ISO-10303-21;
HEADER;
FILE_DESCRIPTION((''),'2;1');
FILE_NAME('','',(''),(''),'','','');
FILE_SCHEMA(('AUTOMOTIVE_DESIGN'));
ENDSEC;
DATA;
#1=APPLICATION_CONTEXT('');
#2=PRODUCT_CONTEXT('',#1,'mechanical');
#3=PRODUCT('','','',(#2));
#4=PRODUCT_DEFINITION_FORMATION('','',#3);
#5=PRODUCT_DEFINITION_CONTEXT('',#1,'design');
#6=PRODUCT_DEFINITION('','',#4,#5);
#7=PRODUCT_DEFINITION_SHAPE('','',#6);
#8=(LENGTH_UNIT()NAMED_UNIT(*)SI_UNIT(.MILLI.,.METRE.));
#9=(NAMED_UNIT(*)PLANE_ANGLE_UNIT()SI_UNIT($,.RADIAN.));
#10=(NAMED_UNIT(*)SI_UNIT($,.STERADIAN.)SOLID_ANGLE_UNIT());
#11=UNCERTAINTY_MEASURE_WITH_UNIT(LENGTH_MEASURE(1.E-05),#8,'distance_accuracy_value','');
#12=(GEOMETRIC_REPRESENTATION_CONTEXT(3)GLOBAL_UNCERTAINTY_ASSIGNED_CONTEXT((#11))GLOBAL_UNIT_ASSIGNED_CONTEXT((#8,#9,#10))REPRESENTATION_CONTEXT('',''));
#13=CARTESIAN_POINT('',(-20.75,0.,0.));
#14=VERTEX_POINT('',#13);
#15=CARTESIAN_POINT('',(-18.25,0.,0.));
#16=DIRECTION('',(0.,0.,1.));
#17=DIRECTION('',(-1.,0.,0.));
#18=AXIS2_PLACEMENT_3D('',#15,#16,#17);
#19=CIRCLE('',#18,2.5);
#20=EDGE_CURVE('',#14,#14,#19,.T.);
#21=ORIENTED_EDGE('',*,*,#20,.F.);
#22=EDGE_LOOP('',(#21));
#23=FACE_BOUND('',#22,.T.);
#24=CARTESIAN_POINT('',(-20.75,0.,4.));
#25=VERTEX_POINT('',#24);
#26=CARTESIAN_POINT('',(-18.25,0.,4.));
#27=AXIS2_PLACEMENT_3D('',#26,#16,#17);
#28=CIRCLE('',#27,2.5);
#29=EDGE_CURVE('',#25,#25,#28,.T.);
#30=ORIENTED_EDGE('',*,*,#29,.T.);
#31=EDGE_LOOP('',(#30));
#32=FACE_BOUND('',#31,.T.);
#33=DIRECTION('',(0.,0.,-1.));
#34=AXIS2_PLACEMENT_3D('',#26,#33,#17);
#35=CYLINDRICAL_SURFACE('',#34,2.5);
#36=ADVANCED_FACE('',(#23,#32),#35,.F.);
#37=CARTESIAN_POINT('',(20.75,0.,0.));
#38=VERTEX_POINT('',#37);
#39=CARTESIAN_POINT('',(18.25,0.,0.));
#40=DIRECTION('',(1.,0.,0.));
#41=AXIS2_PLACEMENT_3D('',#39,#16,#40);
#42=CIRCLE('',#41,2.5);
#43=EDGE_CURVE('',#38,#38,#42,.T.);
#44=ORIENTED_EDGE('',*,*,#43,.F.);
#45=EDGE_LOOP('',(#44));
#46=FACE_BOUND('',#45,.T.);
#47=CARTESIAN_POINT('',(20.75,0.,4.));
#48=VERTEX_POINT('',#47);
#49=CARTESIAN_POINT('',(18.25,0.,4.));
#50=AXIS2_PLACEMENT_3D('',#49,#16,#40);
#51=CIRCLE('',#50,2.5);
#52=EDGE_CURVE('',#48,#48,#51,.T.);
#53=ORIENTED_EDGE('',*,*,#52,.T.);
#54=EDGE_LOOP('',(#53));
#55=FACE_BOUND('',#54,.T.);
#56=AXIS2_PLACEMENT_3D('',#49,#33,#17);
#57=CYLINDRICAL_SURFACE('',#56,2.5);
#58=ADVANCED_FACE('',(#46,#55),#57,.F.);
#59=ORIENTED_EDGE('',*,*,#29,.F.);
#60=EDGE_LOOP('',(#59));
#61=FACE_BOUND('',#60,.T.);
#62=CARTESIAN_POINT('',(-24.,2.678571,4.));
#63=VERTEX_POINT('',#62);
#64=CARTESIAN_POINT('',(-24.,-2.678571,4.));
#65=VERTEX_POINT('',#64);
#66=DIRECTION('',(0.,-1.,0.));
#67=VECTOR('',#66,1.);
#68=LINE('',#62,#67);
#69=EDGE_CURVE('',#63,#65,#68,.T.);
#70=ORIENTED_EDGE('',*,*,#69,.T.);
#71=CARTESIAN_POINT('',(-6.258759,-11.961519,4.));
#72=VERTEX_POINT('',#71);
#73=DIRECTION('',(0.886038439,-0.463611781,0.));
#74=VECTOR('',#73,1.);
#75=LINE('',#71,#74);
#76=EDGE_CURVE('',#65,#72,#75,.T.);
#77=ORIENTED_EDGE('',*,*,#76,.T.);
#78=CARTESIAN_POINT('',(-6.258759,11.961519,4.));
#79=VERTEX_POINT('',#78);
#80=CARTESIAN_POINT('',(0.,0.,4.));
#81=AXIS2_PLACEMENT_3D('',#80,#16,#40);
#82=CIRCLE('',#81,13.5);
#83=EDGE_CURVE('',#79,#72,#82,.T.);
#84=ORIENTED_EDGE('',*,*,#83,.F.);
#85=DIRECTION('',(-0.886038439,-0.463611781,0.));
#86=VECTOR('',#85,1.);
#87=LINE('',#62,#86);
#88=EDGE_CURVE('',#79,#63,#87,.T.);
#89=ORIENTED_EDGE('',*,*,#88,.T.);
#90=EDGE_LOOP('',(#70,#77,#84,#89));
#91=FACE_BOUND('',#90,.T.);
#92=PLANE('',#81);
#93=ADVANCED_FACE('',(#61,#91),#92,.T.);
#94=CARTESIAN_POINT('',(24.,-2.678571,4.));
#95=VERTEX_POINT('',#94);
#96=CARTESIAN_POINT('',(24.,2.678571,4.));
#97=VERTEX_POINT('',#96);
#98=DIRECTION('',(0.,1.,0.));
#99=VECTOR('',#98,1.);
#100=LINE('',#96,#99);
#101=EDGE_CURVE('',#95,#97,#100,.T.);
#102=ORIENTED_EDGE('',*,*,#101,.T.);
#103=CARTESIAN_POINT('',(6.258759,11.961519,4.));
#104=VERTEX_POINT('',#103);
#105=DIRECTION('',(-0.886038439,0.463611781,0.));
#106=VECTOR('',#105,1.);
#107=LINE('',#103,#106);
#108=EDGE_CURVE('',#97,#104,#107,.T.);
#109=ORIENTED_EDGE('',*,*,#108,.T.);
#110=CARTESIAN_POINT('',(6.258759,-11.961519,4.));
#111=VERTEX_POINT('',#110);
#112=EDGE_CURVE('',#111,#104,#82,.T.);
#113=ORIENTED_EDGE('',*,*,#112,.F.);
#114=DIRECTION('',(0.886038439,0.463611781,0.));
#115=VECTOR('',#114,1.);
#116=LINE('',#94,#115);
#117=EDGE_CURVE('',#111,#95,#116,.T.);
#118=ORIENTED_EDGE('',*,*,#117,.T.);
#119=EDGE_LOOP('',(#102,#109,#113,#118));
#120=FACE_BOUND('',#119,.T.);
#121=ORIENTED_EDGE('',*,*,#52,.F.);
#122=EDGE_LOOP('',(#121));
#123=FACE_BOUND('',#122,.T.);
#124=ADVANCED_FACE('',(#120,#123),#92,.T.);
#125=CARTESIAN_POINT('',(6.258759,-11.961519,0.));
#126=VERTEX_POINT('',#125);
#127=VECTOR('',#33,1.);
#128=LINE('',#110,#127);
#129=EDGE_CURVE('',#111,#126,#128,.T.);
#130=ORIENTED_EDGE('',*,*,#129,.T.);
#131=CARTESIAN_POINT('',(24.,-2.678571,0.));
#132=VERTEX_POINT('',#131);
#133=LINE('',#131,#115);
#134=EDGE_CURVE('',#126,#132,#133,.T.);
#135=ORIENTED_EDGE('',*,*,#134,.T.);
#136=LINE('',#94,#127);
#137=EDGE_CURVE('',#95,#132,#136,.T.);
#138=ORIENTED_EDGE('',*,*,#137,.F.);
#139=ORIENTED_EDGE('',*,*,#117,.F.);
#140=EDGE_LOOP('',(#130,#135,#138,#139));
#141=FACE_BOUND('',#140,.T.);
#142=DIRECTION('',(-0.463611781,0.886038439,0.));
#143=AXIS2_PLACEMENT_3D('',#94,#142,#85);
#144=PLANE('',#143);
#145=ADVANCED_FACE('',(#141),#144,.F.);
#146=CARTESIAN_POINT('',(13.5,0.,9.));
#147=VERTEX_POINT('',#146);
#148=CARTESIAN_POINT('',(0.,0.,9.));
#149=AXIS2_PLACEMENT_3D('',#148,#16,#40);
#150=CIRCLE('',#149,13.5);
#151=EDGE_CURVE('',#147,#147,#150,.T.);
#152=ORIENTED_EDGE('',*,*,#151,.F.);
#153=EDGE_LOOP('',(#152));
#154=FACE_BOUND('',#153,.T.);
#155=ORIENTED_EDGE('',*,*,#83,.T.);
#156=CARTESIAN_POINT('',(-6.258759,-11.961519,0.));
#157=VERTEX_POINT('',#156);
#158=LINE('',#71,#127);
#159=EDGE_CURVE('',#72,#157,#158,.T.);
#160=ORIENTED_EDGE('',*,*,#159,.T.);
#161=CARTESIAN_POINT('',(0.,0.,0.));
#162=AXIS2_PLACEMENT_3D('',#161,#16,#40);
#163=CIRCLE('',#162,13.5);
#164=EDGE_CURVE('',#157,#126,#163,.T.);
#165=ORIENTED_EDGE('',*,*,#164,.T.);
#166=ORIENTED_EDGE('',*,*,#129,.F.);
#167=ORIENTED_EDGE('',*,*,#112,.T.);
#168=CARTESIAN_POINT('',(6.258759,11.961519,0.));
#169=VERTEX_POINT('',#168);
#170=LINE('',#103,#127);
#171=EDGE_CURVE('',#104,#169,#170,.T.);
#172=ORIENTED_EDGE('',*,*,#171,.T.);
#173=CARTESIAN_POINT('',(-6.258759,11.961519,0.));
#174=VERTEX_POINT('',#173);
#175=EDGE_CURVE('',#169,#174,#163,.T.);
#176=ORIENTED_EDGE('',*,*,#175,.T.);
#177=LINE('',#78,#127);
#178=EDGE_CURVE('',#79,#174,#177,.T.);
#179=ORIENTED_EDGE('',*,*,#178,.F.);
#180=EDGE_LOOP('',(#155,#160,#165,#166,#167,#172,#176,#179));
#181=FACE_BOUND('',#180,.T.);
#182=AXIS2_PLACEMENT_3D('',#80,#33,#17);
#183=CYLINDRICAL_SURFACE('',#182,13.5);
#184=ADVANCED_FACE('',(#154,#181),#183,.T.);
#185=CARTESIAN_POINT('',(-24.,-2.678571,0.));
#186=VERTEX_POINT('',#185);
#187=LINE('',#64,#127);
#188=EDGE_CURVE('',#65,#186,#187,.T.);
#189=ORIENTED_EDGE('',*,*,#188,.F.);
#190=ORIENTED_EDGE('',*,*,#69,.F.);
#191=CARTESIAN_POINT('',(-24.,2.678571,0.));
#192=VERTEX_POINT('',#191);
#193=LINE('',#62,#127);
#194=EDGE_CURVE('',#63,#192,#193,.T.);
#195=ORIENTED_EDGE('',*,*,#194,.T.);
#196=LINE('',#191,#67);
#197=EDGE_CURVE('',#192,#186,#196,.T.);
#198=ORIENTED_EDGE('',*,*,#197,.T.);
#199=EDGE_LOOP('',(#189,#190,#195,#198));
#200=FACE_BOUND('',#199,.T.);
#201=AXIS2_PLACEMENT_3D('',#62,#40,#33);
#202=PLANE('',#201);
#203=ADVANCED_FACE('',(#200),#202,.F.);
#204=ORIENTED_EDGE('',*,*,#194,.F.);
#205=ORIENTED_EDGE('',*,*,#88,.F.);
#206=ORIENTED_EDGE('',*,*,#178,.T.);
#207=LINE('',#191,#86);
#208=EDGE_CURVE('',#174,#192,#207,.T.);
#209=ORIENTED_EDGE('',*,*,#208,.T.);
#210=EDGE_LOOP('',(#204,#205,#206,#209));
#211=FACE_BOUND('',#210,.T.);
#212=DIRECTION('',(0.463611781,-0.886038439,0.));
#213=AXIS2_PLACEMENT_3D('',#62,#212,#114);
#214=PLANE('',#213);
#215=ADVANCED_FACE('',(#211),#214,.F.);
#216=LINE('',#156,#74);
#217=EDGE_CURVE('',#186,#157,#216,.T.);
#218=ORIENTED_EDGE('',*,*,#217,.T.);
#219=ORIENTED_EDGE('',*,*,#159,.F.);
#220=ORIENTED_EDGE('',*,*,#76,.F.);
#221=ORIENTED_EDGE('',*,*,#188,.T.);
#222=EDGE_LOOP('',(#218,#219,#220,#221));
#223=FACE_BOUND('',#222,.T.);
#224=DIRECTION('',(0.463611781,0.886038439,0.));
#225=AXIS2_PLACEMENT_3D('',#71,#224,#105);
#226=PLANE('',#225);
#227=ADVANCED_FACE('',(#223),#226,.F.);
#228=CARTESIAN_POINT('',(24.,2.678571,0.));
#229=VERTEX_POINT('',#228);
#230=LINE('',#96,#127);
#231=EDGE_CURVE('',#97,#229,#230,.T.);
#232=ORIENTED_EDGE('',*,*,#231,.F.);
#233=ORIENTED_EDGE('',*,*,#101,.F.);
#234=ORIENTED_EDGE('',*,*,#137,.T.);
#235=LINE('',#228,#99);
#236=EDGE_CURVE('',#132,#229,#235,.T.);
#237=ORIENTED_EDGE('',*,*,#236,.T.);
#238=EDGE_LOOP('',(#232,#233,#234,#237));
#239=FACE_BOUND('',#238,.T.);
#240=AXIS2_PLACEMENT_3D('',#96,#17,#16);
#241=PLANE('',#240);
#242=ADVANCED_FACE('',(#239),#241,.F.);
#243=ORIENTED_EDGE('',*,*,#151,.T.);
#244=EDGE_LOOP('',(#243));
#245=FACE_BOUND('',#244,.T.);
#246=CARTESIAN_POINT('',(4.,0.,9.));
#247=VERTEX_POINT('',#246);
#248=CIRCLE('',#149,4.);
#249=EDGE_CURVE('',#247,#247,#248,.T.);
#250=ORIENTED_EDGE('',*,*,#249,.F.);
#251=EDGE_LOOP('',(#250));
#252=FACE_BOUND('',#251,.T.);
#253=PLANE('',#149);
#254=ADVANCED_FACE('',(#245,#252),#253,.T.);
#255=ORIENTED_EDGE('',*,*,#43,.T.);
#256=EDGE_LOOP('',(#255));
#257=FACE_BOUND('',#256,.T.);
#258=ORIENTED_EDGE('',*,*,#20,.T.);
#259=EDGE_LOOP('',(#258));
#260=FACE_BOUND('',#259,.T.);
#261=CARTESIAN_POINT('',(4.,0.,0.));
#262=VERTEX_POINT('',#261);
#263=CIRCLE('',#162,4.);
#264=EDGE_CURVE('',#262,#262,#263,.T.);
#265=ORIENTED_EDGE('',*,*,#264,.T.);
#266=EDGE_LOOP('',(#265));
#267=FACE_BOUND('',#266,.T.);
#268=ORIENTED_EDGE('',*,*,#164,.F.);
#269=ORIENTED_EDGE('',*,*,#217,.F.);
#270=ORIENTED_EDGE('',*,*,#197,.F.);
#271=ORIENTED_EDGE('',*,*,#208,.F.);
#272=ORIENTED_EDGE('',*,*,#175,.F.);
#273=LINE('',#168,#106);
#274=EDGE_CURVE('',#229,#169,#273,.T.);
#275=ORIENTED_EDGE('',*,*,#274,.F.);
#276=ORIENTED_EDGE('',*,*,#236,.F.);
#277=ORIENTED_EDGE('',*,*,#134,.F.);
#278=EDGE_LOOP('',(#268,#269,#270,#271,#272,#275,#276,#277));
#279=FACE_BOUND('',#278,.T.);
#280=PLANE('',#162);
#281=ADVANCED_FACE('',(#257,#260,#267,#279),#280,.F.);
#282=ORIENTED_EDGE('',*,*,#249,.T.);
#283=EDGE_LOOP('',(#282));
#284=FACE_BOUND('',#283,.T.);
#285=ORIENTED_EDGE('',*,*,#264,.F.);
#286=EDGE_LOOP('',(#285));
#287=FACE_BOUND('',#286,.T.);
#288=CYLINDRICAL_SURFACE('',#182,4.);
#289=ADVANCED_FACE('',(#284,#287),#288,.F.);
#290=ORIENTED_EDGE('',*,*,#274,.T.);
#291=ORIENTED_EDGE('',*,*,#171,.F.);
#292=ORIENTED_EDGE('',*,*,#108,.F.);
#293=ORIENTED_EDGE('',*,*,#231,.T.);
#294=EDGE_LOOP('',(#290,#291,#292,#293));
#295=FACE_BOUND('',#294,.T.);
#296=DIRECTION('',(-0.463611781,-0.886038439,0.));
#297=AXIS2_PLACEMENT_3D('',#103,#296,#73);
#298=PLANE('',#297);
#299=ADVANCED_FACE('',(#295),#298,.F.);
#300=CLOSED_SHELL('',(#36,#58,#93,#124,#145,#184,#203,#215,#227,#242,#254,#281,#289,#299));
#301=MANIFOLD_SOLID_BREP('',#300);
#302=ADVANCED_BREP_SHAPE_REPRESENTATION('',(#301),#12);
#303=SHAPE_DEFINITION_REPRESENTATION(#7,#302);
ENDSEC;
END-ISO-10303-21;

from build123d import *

# Parameters (mm, degrees)
CROQUIS1_R              = 2.5
CROQUIS1_R_2            = 4
SALIENTE_EXTRUIR1_DEPTH = 4
CROQUIS2_R              = 13.5
CROQUIS2_R_2            = 4
SALIENTE_EXTRUIR2_DEPTH = 5


with BuildPart() as part:
    # Croquis1 → Saliente-Extruir1 (new body)
    with BuildSketch(Plane.XY):
        with BuildLine():
            Line((24, 2.678571429), (24, -2.678571429))
            Line((24, -2.678571429), (6.258759048, -11.961518933))
            ThreePointArc((6.258759048, -11.961518933), (0, -13.5), (-6.258759048, -11.961518933))
            Line((-6.258759048, -11.961518933), (-24, -2.678571429))
            Line((-24, -2.678571429), (-24, 2.678571429))
            Line((-24, 2.678571429), (-6.258759048, 11.961518933))
            ThreePointArc((-6.258759048, 11.961518933), (0, 13.5), (6.258759048, 11.961518933))
            Line((6.258759048, 11.961518933), (24, 2.678571429))
        make_face()
        with Locations((18.25, 0)):
            Circle(CROQUIS1_R, mode=Mode.SUBTRACT)
        with Locations(Location((-18.25, 0, 0), (0, 0, 180))):
            Circle(CROQUIS1_R, mode=Mode.SUBTRACT)
        Circle(CROQUIS1_R_2, mode=Mode.SUBTRACT)
    extrude(amount=SALIENTE_EXTRUIR1_DEPTH)

    # Croquis2 → Saliente-Extruir2 (add)
    with BuildSketch(Plane.XY.offset(4)):
        with Locations(Location((0, 0, 0), (0, 0, 117.620415862))):
            Circle(CROQUIS2_R)
        Circle(CROQUIS2_R_2, mode=Mode.SUBTRACT)
    extrude(amount=SALIENTE_EXTRUIR2_DEPTH)


solid = part.part
